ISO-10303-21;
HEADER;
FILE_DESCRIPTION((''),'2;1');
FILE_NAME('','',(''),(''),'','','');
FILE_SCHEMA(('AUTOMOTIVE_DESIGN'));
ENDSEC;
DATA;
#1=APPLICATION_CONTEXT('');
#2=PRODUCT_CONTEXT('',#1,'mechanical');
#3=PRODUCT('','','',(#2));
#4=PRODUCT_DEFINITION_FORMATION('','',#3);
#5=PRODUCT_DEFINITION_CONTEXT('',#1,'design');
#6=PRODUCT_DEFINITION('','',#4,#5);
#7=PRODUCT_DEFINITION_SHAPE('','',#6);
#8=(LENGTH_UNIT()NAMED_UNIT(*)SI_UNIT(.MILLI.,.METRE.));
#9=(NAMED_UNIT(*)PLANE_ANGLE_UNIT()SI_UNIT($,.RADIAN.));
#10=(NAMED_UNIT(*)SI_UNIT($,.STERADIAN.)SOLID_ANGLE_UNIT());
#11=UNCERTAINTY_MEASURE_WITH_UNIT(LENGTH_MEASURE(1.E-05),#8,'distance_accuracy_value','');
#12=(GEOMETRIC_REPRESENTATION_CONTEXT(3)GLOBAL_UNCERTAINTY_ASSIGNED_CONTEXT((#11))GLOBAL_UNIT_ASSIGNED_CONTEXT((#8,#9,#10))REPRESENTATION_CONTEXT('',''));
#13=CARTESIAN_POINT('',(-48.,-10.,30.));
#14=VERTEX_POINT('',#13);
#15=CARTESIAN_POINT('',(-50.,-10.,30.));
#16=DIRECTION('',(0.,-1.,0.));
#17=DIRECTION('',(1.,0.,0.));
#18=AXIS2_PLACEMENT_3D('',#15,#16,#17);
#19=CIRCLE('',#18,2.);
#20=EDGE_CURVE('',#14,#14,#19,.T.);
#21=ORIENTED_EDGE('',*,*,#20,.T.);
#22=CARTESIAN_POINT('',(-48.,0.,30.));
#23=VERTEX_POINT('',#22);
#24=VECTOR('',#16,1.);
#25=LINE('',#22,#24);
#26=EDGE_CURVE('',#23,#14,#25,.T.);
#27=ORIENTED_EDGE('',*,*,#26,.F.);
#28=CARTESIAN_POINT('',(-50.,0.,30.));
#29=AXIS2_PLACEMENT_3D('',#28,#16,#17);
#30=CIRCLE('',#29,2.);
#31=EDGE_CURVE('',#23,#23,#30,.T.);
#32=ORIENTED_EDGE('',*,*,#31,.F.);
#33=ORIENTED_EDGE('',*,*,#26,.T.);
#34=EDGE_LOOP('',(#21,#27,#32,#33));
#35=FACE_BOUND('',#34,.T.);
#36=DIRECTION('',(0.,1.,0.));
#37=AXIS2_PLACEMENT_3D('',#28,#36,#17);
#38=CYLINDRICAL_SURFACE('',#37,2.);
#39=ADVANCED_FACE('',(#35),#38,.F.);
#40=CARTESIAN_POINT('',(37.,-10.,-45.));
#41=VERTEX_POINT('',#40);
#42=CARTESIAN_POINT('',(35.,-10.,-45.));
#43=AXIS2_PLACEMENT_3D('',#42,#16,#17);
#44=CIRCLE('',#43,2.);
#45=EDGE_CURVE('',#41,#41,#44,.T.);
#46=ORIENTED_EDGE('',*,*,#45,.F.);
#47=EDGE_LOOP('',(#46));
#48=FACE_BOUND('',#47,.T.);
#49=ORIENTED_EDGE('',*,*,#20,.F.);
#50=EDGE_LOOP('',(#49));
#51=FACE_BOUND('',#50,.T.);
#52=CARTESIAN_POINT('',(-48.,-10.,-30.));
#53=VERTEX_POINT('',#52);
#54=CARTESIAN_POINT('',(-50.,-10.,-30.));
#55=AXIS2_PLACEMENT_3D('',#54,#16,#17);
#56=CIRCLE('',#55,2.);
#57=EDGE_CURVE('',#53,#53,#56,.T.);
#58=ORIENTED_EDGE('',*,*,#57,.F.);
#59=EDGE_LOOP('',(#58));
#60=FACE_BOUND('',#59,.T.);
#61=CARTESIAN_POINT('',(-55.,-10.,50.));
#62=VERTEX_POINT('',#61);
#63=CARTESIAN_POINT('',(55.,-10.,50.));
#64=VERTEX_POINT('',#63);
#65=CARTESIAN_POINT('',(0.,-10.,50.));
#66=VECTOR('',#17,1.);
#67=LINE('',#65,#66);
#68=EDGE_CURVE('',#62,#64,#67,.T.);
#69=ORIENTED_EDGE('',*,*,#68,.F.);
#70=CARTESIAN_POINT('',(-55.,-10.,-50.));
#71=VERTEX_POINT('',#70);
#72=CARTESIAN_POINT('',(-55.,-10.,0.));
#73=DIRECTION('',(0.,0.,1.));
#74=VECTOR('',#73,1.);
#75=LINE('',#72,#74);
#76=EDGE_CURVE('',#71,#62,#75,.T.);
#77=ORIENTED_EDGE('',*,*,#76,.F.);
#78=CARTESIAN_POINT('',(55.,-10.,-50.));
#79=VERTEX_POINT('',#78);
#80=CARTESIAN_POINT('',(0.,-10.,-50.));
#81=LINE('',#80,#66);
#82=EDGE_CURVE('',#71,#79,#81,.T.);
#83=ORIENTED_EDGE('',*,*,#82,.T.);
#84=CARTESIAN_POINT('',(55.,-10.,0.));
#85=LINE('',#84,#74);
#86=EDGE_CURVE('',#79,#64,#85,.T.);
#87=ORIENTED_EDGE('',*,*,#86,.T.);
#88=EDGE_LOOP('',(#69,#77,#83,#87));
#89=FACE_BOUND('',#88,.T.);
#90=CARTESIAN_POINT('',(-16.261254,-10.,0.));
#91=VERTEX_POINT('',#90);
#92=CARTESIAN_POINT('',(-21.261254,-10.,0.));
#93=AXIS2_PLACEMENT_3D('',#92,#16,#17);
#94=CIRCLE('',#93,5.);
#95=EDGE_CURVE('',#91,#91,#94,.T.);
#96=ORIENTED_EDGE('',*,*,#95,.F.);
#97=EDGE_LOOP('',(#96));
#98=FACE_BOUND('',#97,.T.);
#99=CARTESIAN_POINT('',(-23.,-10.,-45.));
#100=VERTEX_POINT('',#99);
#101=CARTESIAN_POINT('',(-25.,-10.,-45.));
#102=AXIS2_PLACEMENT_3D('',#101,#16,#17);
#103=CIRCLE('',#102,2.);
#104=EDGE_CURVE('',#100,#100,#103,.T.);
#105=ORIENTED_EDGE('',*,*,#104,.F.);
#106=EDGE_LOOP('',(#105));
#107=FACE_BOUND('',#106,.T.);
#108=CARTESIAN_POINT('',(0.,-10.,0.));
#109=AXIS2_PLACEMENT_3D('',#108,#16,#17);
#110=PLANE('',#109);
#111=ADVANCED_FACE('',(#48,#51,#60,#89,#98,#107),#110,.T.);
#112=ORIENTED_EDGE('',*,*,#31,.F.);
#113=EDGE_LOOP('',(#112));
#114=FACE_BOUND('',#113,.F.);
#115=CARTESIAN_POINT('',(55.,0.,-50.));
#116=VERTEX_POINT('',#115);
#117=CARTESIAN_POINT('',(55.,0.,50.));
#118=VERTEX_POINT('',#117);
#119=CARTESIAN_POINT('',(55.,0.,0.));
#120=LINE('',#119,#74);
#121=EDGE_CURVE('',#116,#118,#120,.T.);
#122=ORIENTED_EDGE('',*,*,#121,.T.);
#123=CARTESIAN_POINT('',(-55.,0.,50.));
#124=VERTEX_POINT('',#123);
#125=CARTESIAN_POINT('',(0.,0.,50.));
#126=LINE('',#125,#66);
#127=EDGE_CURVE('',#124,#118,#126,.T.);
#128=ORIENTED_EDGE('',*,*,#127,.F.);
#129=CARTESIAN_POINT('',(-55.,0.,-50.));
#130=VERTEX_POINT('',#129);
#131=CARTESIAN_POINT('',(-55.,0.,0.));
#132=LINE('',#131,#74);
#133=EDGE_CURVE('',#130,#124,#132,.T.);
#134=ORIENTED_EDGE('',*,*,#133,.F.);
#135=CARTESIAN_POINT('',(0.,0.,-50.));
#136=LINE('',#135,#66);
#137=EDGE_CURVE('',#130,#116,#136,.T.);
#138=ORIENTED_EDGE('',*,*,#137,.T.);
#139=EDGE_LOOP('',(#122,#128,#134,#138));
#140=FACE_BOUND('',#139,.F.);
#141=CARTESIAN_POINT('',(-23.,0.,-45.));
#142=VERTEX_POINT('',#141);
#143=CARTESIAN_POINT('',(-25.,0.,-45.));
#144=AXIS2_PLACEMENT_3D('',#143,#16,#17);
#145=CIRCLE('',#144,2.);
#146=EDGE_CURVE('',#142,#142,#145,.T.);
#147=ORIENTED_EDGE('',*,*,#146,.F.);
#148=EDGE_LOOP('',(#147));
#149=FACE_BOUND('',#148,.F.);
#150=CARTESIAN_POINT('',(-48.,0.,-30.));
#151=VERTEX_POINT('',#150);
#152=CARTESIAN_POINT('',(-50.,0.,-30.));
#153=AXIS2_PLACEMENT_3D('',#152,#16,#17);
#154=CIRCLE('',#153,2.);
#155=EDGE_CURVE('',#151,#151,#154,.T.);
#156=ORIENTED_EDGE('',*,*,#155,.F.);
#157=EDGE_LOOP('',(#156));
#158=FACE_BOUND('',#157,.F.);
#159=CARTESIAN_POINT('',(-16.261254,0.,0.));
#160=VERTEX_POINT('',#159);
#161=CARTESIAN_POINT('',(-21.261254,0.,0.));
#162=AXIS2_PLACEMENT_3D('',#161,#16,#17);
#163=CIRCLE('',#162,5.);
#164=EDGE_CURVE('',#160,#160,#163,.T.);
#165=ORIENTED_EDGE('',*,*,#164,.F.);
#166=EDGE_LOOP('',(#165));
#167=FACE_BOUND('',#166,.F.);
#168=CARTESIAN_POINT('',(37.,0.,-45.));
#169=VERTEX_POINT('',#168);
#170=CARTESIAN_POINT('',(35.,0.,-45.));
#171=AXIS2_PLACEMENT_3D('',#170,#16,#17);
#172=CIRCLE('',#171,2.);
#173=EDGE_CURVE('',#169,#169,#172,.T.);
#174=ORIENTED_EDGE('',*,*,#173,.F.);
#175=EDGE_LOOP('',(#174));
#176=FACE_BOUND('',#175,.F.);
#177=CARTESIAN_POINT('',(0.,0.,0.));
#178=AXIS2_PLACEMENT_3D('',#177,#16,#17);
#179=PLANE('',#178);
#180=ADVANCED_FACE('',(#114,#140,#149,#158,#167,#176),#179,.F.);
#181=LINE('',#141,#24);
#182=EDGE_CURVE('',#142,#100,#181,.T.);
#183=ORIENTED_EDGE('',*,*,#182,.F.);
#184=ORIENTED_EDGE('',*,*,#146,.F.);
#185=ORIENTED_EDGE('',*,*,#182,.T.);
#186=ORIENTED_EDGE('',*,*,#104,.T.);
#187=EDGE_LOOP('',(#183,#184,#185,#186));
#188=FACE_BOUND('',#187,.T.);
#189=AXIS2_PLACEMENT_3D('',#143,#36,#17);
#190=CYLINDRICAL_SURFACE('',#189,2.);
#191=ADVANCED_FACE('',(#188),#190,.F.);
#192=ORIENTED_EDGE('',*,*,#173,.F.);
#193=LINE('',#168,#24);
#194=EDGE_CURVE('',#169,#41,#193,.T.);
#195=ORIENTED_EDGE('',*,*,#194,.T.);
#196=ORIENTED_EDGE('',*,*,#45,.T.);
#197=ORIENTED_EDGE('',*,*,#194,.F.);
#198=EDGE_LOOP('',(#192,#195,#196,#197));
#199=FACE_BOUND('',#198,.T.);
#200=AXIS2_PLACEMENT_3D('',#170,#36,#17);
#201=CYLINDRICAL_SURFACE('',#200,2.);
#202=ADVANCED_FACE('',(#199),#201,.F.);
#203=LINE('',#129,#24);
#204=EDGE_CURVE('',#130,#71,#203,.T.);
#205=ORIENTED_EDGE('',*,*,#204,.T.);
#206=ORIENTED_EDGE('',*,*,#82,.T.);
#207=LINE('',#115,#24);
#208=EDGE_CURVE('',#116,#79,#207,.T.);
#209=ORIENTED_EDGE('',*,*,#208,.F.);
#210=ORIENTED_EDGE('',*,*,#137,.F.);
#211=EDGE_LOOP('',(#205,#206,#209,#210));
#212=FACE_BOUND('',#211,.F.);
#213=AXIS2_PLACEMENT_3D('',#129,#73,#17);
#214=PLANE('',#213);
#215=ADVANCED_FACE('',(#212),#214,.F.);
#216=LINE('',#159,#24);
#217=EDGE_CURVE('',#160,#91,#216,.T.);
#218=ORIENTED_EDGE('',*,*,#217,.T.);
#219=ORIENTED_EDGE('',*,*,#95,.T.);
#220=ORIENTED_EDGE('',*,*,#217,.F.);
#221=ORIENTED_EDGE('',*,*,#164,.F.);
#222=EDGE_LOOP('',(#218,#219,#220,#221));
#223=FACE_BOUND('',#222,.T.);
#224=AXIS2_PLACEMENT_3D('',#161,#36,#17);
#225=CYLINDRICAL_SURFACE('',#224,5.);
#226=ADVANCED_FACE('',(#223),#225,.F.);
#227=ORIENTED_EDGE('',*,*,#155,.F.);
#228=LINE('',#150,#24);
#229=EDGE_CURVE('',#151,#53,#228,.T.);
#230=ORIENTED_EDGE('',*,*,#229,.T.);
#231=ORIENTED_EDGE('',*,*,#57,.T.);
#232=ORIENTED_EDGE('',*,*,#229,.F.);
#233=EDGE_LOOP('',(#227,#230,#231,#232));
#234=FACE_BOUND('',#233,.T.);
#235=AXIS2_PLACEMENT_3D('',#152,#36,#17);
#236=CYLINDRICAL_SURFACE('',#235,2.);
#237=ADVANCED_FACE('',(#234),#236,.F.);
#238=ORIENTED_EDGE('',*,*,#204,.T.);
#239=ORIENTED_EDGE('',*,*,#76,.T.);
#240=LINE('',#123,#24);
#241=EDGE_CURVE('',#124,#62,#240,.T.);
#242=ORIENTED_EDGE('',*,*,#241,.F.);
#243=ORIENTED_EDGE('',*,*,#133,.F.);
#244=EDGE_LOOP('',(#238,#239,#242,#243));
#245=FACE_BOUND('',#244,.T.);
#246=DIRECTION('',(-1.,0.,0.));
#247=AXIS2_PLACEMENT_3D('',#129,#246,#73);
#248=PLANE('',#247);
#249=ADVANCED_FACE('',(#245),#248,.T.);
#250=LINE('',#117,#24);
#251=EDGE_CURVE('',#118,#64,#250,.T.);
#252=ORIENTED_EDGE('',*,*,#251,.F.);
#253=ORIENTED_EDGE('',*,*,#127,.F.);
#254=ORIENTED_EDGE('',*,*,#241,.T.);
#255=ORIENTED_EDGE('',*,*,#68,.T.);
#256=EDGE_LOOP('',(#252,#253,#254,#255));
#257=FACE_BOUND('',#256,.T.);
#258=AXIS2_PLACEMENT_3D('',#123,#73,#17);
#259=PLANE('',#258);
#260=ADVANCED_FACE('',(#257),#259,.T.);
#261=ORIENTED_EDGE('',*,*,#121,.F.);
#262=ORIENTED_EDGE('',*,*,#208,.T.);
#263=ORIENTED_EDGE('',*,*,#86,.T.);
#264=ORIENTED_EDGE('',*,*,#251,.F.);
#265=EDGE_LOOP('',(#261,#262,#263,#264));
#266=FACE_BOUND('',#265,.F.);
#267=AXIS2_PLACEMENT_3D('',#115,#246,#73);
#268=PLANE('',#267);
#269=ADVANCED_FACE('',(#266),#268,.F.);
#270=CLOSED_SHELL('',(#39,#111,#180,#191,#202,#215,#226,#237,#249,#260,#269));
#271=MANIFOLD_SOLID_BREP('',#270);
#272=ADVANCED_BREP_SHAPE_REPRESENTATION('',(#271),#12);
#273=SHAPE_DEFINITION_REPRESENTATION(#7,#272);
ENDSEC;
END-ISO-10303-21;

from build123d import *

# Parameters (mm, degrees)
F0_W     = 110
F0_H     = 100
F0_R     = 2
F0_R_2   = 5
F1_DEPTH = 10


with BuildPart() as f1:
    # F0 (on Front) → F1 (new body)
    with BuildSketch(Plane.XZ):
        Rectangle(F0_W, F0_H)
        with Locations((-50, -30)):
            Circle(F0_R, mode=Mode.SUBTRACT)
        with Locations((-25, -45)):
            Circle(F0_R, mode=Mode.SUBTRACT)
        with Locations((35, -45)):
            Circle(F0_R, mode=Mode.SUBTRACT)
        with Locations((-21.261254, 0)):
            Circle(F0_R_2, mode=Mode.SUBTRACT)
        with Locations((-50, 30)):
            Circle(F0_R, mode=Mode.SUBTRACT)
    extrude(amount=F1_DEPTH)


solid = f1.part
